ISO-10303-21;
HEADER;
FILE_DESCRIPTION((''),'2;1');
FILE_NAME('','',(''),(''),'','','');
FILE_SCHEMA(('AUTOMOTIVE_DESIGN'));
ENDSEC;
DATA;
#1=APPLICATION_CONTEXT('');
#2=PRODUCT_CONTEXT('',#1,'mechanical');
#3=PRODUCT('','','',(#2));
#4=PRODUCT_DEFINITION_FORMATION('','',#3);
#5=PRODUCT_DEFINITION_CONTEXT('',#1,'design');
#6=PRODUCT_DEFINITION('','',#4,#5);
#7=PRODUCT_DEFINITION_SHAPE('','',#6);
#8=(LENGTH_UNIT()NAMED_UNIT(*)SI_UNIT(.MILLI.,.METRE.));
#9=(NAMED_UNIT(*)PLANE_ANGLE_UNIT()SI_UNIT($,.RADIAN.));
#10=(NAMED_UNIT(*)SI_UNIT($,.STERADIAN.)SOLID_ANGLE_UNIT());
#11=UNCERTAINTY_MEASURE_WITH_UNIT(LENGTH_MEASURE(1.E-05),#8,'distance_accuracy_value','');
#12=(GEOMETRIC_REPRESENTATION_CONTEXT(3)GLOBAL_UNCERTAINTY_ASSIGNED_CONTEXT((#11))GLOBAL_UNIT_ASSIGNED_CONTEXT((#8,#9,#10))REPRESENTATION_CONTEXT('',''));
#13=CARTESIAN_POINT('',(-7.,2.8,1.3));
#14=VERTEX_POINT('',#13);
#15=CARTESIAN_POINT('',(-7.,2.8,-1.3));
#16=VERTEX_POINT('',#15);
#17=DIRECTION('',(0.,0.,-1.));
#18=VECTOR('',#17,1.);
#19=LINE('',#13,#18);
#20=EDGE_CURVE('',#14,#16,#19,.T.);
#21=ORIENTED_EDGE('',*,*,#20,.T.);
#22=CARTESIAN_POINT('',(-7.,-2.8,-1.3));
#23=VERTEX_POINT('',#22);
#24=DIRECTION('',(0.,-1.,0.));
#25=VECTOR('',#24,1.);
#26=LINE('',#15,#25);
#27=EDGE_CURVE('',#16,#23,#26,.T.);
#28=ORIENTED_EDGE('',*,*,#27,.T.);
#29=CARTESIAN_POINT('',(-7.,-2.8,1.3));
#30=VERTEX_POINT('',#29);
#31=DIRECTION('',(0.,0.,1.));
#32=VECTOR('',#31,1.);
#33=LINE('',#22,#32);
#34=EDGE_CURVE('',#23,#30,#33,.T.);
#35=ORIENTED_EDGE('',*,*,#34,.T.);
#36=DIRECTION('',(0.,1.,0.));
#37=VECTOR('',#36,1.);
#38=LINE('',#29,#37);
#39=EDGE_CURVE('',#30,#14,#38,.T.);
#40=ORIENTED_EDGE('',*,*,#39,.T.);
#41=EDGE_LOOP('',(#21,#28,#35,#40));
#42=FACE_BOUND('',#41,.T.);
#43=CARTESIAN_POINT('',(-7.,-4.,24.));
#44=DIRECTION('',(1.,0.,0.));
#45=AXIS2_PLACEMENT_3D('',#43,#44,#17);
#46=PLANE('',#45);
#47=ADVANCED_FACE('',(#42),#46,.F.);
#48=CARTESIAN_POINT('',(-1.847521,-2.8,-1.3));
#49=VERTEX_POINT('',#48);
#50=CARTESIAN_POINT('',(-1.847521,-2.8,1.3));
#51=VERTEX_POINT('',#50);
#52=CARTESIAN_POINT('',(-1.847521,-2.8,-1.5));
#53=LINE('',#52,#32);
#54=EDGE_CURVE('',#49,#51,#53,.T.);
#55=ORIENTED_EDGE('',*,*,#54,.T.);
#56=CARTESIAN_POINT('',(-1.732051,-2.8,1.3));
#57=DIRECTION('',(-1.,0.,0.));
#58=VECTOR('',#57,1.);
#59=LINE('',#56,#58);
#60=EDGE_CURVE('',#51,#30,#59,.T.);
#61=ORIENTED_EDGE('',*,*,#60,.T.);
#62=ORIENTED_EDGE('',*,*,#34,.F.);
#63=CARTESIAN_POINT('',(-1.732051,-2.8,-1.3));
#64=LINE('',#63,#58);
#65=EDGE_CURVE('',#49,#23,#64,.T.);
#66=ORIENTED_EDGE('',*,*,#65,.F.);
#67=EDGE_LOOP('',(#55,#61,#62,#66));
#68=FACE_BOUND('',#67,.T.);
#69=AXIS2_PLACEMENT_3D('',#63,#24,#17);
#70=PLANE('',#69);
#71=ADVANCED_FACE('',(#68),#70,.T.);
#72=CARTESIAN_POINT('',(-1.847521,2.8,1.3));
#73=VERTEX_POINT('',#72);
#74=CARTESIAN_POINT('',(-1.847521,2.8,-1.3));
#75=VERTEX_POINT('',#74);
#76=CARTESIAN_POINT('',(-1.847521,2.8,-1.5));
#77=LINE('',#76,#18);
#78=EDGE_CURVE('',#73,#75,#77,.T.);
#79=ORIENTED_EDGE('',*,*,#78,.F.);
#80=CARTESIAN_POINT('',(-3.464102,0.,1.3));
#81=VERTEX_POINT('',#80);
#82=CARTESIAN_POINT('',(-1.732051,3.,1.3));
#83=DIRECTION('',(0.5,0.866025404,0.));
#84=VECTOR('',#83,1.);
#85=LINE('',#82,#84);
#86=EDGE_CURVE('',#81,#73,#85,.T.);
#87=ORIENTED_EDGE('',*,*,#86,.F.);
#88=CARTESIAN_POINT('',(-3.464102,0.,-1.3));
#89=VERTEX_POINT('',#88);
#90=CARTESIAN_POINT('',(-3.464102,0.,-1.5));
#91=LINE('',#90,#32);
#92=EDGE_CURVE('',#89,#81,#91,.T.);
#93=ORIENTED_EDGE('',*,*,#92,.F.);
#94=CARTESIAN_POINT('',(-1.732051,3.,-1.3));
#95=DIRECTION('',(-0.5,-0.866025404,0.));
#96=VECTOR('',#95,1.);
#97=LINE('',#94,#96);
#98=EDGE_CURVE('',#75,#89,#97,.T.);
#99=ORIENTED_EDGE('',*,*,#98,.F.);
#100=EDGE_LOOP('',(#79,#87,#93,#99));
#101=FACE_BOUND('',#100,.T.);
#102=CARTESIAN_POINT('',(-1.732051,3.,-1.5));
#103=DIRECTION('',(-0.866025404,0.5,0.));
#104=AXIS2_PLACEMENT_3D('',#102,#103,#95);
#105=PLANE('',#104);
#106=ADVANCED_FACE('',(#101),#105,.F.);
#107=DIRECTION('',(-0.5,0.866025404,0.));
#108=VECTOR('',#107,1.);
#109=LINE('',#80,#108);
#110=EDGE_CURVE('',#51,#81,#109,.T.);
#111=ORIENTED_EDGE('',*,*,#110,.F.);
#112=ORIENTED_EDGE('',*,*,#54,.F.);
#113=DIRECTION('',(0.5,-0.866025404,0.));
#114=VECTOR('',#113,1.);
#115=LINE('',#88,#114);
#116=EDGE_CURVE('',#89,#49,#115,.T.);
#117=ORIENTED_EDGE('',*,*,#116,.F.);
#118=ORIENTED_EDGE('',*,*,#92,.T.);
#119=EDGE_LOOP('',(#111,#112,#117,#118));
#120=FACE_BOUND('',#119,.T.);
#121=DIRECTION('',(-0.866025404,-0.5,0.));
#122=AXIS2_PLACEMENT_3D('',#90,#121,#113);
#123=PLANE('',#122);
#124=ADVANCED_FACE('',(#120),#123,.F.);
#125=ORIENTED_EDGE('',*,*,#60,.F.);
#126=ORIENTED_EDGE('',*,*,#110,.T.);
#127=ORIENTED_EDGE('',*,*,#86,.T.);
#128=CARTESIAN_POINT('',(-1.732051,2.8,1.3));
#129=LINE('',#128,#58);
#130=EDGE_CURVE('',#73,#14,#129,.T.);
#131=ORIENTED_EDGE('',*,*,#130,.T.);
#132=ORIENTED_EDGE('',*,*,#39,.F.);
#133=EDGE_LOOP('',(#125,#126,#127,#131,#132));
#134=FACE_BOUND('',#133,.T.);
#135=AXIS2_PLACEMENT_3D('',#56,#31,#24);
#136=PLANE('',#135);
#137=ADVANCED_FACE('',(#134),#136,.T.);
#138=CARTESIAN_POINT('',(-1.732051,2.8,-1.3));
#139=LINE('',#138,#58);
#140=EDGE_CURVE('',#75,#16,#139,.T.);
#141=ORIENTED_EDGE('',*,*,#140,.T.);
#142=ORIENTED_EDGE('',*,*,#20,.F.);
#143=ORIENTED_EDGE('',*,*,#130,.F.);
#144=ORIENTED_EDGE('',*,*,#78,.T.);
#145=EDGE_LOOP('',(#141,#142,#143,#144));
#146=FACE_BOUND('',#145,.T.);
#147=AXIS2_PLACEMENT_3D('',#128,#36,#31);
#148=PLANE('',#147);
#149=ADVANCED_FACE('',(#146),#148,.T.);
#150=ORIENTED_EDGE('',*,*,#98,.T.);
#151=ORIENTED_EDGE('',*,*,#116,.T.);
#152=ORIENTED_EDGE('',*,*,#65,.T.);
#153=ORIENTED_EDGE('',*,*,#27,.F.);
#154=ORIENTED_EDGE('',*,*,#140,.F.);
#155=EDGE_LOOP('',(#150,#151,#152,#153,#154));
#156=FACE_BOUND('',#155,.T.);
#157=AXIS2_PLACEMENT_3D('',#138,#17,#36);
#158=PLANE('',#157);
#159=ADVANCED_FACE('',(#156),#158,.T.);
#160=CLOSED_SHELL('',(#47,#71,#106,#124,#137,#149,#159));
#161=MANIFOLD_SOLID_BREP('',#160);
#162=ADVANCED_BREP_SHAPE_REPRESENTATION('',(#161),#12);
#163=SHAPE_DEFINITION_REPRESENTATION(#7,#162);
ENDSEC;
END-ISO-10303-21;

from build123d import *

# Parameters (mm, degrees)
CROQUIS1_R                 = 1.5
SALIENTE_EXTRUIR1_DEPTH    = 7
CORTAR_EXTRUIR1_DEPTH      = 10
CORTAR_EXTRUIR1_DEPTH_BACK = 27.438608133
CROQUIS2_R                 = 1.5
CORTAR_EXTRUIR2_DEPTH      = 27.438608133
CORTAR_EXTRUIR2_DEPTH_BACK = 27.438608133
CROQUIS3_W                 = 6
CROQUIS3_H                 = 7
CORTAR_EXTRUIR3_DEPTH      = 1.5
CROQUIS5_OUTSIDE_W         = 50.708
CROQUIS5_OUTSIDE_H         = 20.708
CROQUIS5_OUTSIDE_W_2       = 3
CROQUIS5_OUTSIDE_H_2       = 6
CORTAR_EXTRUIR4_DEPTH      = 27.438608133
CROQUIS6_OUTSIDE_W         = 6.706
CROQUIS6_OUTSIDE_H         = 9.706
CROQUIS6_OUTSIDE_W_2       = 2.6
CROQUIS6_OUTSIDE_H_2       = 5.6
CORTAR_EXTRUIR5_DEPTH      = 7.245101176


with BuildPart() as part:
    # Croquis1 → Saliente-Extruir1 (new, symmetric)
    with BuildSketch(Plane(origin=(0, 0, 0), x_dir=(0, 0, -1), z_dir=(1, 0, 0))):
        with BuildLine():
            Line((-24, 5), (15, 5))
            Line((15, 5), (15, -5))
            Line((15, -5), (-24, -5))
            ThreePointArc((-24, -5), (-24.707106781, -4.707106781), (-25, -4))
            Line((-25, -4), (-25, 4))
            ThreePointArc((-25, 4), (-24.707106781, 4.707106781), (-24, 5))
        make_face()
        with Locations((-22, 0)):
            Circle(CROQUIS1_R, mode=Mode.SUBTRACT)
    extrude(amount=SALIENTE_EXTRUIR1_DEPTH, both=True)

    # Croquis2 → Cortar-Extruir1 (cut, two sides: drawn at the far end of the back side and taken through both)
    with BuildSketch(Plane.XY.offset(-CORTAR_EXTRUIR1_DEPTH_BACK)):
        Circle(CROQUIS2_R)
    extrude(amount=CORTAR_EXTRUIR1_DEPTH + CORTAR_EXTRUIR1_DEPTH_BACK, mode=Mode.SUBTRACT)

    # Croquis3 → Cortar-Extruir2 (cut, two sides: drawn at the far end of the back side and taken through both)
    with BuildSketch(Plane(origin=(0, 0, 0), x_dir=(1, 0, 0), z_dir=(0, 1, 0)).offset(-CORTAR_EXTRUIR2_DEPTH_BACK)):
        with Locations((0, -21.5)):
            Rectangle(CROQUIS3_W, CROQUIS3_H)
    extrude(amount=CORTAR_EXTRUIR2_DEPTH + CORTAR_EXTRUIR2_DEPTH_BACK, mode=Mode.SUBTRACT)

    # Croquis4 → Cortar-Extruir3 (cut, symmetric)
    with BuildSketch(Plane.XY):
        Polygon((1.732050808, 3), (-1.732050808, 3), (-3.464101615, 0), (-1.732050808, -3), (1.732050808, -3), (3.464101615, 0), align=None)
    extrude(amount=CORTAR_EXTRUIR3_DEPTH, both=True, mode=Mode.SUBTRACT)

    # Croquis5 outside → Cortar-Extruir4 (cut, through all)
    with BuildSketch(Plane(origin=(0, 0, 0), x_dir=(0, 0, -1), z_dir=(1, 0, 0))):
        with Locations((-5, 0)):
            Rectangle(CROQUIS5_OUTSIDE_W, CROQUIS5_OUTSIDE_H)
        Rectangle(CROQUIS5_OUTSIDE_W_2, CROQUIS5_OUTSIDE_H_2, mode=Mode.SUBTRACT)
    extrude(amount=-CORTAR_EXTRUIR4_DEPTH, mode=Mode.SUBTRACT)


with BuildPart() as body_2:
    # of the pieces the cut leaves, the one that is kept (cortar_extruir4_keep)
    add(part.part.solids().sort_by_distance((-7, 3, -1.5))[0])

    # Croquis6 outside → Cortar-Extruir5 (cut, through all)
    with BuildSketch(Plane.ZY.offset(7)):
        Rectangle(CROQUIS6_OUTSIDE_W, CROQUIS6_OUTSIDE_H)
        Rectangle(CROQUIS6_OUTSIDE_W_2, CROQUIS6_OUTSIDE_H_2, mode=Mode.SUBTRACT)
    extrude(amount=-CORTAR_EXTRUIR5_DEPTH, mode=Mode.SUBTRACT)


solid = body_2.part
